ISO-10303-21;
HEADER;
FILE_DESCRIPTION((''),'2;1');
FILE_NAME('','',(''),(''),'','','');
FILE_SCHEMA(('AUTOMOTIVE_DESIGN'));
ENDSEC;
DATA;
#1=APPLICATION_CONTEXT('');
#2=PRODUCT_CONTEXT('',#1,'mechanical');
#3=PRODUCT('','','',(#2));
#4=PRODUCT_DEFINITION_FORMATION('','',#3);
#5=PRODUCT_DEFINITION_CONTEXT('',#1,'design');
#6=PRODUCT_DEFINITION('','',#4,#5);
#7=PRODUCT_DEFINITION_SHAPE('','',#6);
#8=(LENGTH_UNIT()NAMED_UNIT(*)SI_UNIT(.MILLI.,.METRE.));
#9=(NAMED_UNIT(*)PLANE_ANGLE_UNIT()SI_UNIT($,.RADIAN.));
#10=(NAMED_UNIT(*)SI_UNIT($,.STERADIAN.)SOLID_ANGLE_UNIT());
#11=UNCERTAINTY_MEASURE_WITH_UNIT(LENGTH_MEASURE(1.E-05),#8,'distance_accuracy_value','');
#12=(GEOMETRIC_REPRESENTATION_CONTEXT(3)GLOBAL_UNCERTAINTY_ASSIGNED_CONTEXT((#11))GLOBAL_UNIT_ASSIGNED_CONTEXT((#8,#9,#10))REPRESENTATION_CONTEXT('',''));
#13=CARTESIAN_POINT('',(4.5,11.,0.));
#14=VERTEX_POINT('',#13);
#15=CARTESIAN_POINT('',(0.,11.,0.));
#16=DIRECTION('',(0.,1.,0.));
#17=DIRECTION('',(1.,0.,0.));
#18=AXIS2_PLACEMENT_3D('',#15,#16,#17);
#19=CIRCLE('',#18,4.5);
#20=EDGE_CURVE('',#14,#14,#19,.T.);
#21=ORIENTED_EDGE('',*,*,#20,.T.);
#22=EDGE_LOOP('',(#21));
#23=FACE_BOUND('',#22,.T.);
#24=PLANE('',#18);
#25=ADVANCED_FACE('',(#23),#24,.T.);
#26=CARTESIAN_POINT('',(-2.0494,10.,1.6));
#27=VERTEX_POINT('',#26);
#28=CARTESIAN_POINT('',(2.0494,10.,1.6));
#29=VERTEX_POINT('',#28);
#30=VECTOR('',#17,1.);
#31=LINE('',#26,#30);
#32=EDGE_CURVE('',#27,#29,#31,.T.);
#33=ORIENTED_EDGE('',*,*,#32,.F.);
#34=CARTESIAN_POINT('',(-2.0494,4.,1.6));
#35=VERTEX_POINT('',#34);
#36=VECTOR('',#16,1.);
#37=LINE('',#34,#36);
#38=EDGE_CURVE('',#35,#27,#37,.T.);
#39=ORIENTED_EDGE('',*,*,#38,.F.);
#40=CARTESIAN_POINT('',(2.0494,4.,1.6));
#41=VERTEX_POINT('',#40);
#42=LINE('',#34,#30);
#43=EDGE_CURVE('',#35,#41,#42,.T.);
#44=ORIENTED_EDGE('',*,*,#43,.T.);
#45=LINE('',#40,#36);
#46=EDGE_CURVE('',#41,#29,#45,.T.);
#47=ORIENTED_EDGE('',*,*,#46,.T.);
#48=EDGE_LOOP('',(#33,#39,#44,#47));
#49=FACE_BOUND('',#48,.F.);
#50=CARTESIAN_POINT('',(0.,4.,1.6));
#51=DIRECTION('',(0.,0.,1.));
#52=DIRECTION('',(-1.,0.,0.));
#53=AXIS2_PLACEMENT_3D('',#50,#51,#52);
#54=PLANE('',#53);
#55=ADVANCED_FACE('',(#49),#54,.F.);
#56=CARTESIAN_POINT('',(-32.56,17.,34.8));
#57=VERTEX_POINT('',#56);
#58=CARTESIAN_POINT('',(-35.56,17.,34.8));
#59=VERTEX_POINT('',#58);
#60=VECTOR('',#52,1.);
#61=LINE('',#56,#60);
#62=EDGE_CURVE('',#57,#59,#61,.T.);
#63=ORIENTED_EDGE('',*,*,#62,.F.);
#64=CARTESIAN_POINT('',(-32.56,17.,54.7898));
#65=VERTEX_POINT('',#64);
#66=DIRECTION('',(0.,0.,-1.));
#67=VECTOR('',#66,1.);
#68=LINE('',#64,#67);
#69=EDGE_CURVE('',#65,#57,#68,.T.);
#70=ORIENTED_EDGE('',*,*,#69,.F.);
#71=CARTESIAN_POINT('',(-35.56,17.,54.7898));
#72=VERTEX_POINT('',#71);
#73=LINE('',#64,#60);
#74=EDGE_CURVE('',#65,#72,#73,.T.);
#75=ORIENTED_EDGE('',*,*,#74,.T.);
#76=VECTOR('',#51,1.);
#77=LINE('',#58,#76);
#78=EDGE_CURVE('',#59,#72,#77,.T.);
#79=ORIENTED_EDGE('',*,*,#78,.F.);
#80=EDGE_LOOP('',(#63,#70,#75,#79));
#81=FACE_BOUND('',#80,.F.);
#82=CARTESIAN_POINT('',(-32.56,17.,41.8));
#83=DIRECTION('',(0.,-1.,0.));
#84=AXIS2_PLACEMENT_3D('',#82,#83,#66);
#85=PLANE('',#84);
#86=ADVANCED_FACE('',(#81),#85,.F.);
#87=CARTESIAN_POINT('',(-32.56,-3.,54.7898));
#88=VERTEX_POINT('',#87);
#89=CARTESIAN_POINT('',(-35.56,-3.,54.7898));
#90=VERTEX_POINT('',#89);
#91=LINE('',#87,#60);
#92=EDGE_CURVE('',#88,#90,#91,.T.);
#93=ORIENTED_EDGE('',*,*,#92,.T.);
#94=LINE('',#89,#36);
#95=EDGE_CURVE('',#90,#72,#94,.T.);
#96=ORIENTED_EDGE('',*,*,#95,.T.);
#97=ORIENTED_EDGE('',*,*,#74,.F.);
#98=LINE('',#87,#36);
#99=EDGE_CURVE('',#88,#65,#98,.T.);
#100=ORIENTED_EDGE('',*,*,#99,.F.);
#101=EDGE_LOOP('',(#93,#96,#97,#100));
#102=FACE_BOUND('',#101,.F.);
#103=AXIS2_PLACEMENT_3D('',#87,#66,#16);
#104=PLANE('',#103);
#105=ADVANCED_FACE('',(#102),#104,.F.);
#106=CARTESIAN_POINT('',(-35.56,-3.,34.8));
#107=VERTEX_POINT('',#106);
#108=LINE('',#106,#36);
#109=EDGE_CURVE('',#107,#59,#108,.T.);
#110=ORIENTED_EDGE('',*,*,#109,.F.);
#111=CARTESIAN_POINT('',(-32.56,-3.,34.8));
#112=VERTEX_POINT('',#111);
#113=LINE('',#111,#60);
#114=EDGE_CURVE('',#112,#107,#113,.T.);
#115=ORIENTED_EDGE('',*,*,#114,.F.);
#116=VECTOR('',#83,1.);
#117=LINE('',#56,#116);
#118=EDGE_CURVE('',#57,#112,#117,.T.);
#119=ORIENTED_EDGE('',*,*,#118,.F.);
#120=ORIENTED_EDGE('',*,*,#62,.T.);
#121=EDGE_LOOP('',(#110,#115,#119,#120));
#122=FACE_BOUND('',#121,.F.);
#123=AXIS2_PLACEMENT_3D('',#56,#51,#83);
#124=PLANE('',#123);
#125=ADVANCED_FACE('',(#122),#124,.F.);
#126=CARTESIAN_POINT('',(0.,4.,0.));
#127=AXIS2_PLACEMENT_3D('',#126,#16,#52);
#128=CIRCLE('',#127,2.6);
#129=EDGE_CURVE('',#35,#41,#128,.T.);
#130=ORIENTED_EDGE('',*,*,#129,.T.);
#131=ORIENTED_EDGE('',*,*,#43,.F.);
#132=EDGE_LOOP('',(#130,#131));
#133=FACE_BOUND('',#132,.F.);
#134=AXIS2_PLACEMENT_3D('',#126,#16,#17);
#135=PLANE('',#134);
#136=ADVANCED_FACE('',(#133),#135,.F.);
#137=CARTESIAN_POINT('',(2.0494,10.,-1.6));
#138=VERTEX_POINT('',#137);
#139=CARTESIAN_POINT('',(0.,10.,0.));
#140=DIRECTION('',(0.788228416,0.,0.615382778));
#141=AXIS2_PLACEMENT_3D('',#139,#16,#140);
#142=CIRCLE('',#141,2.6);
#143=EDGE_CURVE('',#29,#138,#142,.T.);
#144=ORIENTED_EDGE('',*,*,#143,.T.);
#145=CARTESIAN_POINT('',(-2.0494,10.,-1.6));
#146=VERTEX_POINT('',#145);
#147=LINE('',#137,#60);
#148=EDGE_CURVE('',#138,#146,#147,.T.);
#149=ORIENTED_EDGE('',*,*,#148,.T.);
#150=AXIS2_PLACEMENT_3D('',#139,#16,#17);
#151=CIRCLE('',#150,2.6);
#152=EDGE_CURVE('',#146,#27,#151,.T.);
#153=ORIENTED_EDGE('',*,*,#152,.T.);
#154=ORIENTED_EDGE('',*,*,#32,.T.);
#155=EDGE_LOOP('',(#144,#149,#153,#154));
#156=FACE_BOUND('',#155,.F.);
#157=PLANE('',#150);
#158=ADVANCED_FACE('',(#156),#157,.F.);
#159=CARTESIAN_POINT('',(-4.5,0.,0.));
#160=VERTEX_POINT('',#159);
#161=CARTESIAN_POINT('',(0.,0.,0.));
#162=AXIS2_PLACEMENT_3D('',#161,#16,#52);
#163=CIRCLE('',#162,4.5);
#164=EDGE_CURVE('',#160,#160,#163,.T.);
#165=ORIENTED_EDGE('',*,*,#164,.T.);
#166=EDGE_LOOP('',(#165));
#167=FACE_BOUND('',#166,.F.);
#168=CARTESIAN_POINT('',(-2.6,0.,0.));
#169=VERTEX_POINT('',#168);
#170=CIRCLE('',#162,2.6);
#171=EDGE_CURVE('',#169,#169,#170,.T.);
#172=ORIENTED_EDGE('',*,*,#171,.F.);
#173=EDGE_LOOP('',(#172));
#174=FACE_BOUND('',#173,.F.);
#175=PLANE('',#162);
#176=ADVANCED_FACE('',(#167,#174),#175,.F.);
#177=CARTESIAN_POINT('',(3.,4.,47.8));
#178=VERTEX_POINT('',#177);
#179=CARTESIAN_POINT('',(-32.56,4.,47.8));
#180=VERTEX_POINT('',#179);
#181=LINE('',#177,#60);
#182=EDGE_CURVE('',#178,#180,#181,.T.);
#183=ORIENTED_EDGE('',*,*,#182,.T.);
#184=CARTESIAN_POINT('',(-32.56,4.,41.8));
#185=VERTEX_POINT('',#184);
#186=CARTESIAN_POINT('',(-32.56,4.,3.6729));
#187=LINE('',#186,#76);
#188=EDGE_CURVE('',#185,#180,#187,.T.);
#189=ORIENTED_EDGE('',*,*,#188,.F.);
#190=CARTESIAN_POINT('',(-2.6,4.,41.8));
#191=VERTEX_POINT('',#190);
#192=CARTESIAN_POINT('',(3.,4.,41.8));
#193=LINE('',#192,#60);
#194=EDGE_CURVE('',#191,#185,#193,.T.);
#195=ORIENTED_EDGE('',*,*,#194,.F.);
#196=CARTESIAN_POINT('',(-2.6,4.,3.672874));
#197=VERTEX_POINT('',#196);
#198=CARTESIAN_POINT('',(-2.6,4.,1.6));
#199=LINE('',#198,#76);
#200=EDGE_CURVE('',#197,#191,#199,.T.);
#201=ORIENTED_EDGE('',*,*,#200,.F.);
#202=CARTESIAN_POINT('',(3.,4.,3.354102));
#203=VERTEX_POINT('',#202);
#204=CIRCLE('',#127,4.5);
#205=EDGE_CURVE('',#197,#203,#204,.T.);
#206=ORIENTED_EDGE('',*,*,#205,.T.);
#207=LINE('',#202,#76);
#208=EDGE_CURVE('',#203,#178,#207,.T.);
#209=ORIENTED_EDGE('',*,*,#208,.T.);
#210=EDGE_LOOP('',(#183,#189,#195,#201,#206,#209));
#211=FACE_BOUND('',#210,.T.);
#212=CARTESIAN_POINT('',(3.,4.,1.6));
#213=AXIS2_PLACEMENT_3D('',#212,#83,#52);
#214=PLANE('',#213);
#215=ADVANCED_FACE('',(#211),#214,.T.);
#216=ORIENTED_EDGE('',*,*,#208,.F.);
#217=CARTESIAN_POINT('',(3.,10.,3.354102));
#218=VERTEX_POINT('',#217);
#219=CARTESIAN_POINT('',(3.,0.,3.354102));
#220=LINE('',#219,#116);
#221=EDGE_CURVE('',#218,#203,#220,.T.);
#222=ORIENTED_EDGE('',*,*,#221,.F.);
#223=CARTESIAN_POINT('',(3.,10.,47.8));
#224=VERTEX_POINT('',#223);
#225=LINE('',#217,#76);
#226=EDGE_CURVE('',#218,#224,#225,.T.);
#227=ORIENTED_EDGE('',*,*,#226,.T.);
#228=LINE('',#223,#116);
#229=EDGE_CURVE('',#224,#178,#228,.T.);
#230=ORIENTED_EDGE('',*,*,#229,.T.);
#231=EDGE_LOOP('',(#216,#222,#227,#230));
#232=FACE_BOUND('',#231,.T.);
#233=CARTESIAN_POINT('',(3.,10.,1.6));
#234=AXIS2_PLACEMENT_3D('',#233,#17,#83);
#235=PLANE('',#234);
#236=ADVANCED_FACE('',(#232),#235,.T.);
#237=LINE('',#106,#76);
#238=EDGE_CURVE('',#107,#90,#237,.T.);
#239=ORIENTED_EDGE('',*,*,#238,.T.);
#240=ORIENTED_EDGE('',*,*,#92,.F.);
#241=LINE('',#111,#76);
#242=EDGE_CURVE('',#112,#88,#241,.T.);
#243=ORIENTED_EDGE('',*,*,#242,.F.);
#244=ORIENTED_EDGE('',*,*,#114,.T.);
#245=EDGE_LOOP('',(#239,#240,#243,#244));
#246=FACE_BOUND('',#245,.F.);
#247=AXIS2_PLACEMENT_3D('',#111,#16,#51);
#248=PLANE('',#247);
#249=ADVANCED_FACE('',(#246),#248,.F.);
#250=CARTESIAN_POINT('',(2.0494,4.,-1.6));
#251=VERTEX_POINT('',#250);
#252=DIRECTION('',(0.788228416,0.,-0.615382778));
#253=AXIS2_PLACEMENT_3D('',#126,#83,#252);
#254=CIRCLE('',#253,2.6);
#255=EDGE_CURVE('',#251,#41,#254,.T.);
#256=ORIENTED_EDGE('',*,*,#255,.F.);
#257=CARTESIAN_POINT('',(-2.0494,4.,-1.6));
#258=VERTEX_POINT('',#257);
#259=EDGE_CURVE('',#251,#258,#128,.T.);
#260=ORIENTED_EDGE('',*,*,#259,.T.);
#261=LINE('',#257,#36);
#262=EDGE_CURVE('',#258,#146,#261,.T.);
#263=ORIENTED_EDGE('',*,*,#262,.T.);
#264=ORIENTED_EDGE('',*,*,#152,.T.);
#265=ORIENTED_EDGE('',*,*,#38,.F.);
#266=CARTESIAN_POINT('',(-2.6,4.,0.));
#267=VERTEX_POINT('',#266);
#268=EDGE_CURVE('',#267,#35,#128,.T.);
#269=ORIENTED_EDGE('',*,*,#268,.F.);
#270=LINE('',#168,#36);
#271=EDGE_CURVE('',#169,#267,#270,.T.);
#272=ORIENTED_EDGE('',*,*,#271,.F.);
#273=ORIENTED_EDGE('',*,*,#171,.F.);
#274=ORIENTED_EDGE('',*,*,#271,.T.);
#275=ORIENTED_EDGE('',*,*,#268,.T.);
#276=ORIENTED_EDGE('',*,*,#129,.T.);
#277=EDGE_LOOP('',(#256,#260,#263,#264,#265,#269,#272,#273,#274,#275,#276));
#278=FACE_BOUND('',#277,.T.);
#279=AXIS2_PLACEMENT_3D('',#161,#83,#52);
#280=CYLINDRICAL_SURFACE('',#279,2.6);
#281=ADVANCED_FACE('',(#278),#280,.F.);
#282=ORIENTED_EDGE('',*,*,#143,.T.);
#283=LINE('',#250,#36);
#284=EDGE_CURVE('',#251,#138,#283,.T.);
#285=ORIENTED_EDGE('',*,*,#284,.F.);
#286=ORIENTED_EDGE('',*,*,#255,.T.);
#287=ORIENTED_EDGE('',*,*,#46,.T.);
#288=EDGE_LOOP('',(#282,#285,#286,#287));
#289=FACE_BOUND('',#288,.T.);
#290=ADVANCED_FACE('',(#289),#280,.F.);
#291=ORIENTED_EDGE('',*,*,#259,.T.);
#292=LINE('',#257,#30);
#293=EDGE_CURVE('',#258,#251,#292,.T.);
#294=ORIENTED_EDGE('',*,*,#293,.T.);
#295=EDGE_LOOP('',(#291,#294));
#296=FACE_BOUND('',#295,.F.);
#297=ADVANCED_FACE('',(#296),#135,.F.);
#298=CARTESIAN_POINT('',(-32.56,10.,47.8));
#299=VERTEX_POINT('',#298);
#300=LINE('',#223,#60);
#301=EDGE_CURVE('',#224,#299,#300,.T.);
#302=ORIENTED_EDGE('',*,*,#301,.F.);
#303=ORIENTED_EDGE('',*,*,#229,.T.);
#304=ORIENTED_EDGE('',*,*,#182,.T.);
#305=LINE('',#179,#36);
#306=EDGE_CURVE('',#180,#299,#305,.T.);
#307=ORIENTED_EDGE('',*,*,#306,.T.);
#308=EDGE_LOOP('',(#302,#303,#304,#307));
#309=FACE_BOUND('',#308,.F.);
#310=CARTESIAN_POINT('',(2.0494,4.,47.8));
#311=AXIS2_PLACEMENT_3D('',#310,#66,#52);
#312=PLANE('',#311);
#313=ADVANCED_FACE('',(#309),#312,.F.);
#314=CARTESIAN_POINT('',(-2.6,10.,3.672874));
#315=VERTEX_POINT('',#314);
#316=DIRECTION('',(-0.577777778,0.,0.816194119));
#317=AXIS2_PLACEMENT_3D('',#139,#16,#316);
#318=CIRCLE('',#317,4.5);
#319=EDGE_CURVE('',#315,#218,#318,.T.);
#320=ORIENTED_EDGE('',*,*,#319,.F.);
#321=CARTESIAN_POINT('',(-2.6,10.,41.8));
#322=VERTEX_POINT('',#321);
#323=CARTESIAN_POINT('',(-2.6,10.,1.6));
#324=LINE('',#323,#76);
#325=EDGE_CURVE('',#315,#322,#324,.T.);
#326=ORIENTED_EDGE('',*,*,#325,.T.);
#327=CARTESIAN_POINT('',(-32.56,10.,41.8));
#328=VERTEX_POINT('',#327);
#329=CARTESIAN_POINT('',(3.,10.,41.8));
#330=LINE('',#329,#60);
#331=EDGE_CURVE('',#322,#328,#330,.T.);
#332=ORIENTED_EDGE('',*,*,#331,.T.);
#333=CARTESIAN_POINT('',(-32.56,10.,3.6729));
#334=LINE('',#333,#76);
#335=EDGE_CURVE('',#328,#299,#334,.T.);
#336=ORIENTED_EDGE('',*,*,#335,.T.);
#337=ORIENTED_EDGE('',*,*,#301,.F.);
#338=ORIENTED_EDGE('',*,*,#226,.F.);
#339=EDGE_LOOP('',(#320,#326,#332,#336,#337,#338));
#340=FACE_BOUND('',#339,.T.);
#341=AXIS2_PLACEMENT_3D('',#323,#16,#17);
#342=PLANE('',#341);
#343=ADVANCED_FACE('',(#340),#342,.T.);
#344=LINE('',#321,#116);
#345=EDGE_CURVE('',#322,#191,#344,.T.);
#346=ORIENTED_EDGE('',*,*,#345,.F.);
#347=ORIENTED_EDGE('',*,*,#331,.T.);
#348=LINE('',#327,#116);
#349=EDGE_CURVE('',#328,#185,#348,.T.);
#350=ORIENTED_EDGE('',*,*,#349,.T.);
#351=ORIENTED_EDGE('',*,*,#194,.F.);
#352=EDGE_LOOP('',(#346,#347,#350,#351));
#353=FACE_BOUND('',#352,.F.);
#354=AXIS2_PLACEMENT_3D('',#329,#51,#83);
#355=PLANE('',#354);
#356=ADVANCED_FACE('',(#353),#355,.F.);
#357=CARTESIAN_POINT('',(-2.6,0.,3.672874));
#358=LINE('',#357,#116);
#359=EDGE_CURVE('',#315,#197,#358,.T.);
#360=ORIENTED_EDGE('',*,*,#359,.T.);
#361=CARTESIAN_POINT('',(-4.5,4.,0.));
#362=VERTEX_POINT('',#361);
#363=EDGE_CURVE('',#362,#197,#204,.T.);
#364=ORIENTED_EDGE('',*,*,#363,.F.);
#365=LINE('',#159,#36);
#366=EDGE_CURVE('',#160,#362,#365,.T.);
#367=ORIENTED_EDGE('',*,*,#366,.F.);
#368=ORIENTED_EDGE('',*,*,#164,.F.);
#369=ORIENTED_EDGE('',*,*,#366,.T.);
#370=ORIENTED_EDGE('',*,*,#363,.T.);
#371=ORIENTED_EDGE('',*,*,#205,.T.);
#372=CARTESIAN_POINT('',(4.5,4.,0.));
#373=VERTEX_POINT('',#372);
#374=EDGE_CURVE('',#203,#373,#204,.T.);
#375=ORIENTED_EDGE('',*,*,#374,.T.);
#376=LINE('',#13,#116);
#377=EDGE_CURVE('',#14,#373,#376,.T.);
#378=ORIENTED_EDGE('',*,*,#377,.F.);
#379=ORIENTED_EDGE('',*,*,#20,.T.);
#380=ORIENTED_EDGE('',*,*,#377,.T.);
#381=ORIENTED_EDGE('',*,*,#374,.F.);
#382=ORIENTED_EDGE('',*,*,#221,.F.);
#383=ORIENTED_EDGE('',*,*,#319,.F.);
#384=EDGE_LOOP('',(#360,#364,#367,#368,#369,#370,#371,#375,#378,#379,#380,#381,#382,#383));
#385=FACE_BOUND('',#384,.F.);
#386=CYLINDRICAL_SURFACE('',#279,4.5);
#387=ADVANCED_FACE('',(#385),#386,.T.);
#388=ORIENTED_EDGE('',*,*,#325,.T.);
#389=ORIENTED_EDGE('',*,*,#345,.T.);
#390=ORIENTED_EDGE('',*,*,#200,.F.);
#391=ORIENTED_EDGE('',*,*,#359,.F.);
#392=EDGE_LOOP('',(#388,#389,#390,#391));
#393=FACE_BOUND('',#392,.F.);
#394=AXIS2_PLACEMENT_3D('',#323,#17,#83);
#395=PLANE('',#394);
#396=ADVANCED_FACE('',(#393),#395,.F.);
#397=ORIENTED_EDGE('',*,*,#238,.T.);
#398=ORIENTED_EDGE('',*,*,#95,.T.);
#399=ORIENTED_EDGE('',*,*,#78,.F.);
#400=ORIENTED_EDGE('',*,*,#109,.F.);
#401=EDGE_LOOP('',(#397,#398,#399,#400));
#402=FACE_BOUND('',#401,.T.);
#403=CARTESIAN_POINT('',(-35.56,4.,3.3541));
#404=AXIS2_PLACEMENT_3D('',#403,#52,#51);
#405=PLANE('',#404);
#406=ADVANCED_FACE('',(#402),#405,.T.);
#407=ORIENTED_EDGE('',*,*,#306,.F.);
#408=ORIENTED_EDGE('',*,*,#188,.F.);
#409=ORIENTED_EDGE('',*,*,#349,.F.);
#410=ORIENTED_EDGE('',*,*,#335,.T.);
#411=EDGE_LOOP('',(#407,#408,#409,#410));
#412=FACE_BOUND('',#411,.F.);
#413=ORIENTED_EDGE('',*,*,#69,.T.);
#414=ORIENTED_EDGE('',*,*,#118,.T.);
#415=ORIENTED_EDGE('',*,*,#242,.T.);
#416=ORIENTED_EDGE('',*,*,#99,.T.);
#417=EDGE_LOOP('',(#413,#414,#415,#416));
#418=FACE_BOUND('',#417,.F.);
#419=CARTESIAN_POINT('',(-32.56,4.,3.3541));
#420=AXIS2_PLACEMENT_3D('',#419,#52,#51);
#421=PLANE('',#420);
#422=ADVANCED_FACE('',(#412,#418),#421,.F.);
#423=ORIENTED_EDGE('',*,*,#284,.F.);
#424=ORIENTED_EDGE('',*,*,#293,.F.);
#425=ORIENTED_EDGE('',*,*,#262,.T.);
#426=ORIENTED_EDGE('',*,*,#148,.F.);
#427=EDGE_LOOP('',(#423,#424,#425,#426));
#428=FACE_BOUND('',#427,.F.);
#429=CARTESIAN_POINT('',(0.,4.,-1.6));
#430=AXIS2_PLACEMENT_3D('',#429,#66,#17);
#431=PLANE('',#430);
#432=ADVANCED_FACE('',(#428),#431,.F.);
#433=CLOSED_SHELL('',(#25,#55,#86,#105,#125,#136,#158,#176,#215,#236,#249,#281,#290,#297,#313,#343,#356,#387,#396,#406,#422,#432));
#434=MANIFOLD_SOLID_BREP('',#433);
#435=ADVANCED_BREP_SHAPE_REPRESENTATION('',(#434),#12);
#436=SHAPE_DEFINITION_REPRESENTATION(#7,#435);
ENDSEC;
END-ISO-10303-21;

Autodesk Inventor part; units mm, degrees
ref_plane "YZ Plane" through (0, 0, 0) normal (1, 0, 0) x (0, 1, 0)
ref_plane "XZ Plane" through (0, 0, 0) normal (0, 1, 0) x (-1, 0, 0)
ref_plane "XY Plane" through (0, 0, 0) normal (0, 0, 1) x (1, 0, 0)
sketch "Sketch3" plane through (0, 0, 0) normal (0, 1, 0) x (-1, 0, 0)
  circle A0 centre (0, 0) radius 4.5
  circle A1 centre (0, 0) radius 2.6
  dimension "d10" = 9
  dimension "d11" = 5.2
extrude "Extrusion2" add sketch "Sketch3" along normal blind 4
sketch "Sketch4" plane through (0, 4, 0) normal (0, 1, 0) x (1, 0, 0)
  circle A0 centre (0, 0) radius 2.6 projected
  line L0 (0, -2.6) -> (0, -1.6)
  line L1 (0, -1.6) -> (0, 2.6)
  line L2 (0, -1.6) -> (-2.0494, -1.6)
  line L3 (0, -1.6) -> (2.0494, -1.6)
  line L4 (0, 2.6) -> (0, 2.6)
  line L5 (0, 2.6) -> (0, 2.6)
  circle A1 centre (0, 0) radius 4.5 projected
  circle A2 centre (0, 0) radius 2.6 projected
  line L6 (0, 2.6) -> (0, 1.6)
  line L7 (0, 1.6) -> (2.0494, 1.6)
  line L8 (0, 1.6) -> (-2.0494, 1.6)
  point P0 (2.0494, 1.6)
  point P1 (-2.0494, 1.6)
  dimension "d14" = 1
  dimension "d20" = 1
extrude "Extrusion3" add sketch "Sketch4" along normal blind 6 contours L7 L1 A0 | A0 L0 L3 | L1 L8 A0 | A0 L2 L0 | A1
sketch "Sketch5" plane through (0, 10, 0) normal (0, 1, 0) x (1, 0, 0)
  circle A0 centre (0, 0) radius 4.5 projected
extrude "Extrusion4" add sketch "Sketch5" along normal blind 1
sketch "Sketch6" plane through (2.0494, 4, 1.6) normal (0, 0, -1) x (-1, 0, 0)
  line L0 (4.0988, 6) -> (0, 6) projected
  line L1 (2.0494, 6) -> (2.0494, 3)
  line L2 (2.0494, 6) -> (5.0494, 6) construction
  line L3 (2.0494, 6) -> (-0.9506, 6)
  line L4 (2.0494, 6) -> (5.0494, 6) construction
  line L5 (-0.9506, 6) -> (-0.9506, 0)
  line L6 (-0.9506, 0) -> (5.0494, 0)
  line L7 (5.0494, 0) -> (5.0494, 6)
  line L8 (5.0494, 6) -> (-0.9506, 6)
  line L9 (4.6494, 6) -> (4.6494, -4) projected
  point P0 (2.0494, -4)
  point P1 (4.6494, 0)
  point P2 (0, 6)
  dimension "d21" = 3
  dimension "d22" = 90
  dimension "d32" = 3
  dimension "d33" = 180
  dimension "d34" = 6
  dimension "d35" = 90
  dimension "d36" = 6
  dimension "d37" = 90
extrude "Extrusion7" add sketch "Sketch6" against normal blind 46.2 contours L8 L9 L6 L5 L3 L0
sketch "Sketch8" plane through (3, 4, 3.3541) normal (1, 0, 0) x (0, 0, -1)
  line L0 (-0.3188, 6) -> (-44.4459, 6) projected
  line L1 (-44.4459, 6) -> (-38.4459, 6)
  line L2 (-38.4459, 6) -> (-38.4459, 0)
  line L3 (-0.3188, 0) -> (-44.4459, 0) projected
  line L4 (0, 6) -> (0, 0) projected
  line L5 (0, 6) -> (-44.4459, 6) projected
  line L6 (-44.4459, 0) -> (-44.4459, 6) projected
  line L7 (0, 0) -> (-44.4459, 0) projected
  point P0 (3.3541, -4)
  dimension "d40" = 6
extrude "Extrusion8" add sketch "Sketch8" against normal blind 35.56 contours L2 L3 L6 L0
sketch "Sketch10" plane through (-32.56, 4, 3.3541) normal (-1, 0, 0) x (0, 0, 1)
  line L0 (0.3188, 6) -> (38.4459, 6) projected
  line L1 (38.4459, 6) -> (38.4459, 13)
  line L2 (38.4459, 13) -> (31.4459, 13)
  line L3 (31.4459, 13) -> (31.4459, -7)
  line L4 (31.4459, -7) -> (51.4357, -7)
  line L5 (51.4357, -7) -> (51.4357, 13)
  line L6 (51.4357, 13) -> (38.4459, 13)
  point P0 (-3.3541, -4)
  dimension "d49" = 7
  dimension "d50" = 7
  dimension "d51" = 90
  dimension "d52" = 20
  dimension "d53" = 90
  dimension "d54" = 19.9898
  dimension "d55" = 90
  dimension "d56" = 90
extrude "Extrusion10" add sketch "Sketch10" along normal blind 3
properties part number "socket2"
